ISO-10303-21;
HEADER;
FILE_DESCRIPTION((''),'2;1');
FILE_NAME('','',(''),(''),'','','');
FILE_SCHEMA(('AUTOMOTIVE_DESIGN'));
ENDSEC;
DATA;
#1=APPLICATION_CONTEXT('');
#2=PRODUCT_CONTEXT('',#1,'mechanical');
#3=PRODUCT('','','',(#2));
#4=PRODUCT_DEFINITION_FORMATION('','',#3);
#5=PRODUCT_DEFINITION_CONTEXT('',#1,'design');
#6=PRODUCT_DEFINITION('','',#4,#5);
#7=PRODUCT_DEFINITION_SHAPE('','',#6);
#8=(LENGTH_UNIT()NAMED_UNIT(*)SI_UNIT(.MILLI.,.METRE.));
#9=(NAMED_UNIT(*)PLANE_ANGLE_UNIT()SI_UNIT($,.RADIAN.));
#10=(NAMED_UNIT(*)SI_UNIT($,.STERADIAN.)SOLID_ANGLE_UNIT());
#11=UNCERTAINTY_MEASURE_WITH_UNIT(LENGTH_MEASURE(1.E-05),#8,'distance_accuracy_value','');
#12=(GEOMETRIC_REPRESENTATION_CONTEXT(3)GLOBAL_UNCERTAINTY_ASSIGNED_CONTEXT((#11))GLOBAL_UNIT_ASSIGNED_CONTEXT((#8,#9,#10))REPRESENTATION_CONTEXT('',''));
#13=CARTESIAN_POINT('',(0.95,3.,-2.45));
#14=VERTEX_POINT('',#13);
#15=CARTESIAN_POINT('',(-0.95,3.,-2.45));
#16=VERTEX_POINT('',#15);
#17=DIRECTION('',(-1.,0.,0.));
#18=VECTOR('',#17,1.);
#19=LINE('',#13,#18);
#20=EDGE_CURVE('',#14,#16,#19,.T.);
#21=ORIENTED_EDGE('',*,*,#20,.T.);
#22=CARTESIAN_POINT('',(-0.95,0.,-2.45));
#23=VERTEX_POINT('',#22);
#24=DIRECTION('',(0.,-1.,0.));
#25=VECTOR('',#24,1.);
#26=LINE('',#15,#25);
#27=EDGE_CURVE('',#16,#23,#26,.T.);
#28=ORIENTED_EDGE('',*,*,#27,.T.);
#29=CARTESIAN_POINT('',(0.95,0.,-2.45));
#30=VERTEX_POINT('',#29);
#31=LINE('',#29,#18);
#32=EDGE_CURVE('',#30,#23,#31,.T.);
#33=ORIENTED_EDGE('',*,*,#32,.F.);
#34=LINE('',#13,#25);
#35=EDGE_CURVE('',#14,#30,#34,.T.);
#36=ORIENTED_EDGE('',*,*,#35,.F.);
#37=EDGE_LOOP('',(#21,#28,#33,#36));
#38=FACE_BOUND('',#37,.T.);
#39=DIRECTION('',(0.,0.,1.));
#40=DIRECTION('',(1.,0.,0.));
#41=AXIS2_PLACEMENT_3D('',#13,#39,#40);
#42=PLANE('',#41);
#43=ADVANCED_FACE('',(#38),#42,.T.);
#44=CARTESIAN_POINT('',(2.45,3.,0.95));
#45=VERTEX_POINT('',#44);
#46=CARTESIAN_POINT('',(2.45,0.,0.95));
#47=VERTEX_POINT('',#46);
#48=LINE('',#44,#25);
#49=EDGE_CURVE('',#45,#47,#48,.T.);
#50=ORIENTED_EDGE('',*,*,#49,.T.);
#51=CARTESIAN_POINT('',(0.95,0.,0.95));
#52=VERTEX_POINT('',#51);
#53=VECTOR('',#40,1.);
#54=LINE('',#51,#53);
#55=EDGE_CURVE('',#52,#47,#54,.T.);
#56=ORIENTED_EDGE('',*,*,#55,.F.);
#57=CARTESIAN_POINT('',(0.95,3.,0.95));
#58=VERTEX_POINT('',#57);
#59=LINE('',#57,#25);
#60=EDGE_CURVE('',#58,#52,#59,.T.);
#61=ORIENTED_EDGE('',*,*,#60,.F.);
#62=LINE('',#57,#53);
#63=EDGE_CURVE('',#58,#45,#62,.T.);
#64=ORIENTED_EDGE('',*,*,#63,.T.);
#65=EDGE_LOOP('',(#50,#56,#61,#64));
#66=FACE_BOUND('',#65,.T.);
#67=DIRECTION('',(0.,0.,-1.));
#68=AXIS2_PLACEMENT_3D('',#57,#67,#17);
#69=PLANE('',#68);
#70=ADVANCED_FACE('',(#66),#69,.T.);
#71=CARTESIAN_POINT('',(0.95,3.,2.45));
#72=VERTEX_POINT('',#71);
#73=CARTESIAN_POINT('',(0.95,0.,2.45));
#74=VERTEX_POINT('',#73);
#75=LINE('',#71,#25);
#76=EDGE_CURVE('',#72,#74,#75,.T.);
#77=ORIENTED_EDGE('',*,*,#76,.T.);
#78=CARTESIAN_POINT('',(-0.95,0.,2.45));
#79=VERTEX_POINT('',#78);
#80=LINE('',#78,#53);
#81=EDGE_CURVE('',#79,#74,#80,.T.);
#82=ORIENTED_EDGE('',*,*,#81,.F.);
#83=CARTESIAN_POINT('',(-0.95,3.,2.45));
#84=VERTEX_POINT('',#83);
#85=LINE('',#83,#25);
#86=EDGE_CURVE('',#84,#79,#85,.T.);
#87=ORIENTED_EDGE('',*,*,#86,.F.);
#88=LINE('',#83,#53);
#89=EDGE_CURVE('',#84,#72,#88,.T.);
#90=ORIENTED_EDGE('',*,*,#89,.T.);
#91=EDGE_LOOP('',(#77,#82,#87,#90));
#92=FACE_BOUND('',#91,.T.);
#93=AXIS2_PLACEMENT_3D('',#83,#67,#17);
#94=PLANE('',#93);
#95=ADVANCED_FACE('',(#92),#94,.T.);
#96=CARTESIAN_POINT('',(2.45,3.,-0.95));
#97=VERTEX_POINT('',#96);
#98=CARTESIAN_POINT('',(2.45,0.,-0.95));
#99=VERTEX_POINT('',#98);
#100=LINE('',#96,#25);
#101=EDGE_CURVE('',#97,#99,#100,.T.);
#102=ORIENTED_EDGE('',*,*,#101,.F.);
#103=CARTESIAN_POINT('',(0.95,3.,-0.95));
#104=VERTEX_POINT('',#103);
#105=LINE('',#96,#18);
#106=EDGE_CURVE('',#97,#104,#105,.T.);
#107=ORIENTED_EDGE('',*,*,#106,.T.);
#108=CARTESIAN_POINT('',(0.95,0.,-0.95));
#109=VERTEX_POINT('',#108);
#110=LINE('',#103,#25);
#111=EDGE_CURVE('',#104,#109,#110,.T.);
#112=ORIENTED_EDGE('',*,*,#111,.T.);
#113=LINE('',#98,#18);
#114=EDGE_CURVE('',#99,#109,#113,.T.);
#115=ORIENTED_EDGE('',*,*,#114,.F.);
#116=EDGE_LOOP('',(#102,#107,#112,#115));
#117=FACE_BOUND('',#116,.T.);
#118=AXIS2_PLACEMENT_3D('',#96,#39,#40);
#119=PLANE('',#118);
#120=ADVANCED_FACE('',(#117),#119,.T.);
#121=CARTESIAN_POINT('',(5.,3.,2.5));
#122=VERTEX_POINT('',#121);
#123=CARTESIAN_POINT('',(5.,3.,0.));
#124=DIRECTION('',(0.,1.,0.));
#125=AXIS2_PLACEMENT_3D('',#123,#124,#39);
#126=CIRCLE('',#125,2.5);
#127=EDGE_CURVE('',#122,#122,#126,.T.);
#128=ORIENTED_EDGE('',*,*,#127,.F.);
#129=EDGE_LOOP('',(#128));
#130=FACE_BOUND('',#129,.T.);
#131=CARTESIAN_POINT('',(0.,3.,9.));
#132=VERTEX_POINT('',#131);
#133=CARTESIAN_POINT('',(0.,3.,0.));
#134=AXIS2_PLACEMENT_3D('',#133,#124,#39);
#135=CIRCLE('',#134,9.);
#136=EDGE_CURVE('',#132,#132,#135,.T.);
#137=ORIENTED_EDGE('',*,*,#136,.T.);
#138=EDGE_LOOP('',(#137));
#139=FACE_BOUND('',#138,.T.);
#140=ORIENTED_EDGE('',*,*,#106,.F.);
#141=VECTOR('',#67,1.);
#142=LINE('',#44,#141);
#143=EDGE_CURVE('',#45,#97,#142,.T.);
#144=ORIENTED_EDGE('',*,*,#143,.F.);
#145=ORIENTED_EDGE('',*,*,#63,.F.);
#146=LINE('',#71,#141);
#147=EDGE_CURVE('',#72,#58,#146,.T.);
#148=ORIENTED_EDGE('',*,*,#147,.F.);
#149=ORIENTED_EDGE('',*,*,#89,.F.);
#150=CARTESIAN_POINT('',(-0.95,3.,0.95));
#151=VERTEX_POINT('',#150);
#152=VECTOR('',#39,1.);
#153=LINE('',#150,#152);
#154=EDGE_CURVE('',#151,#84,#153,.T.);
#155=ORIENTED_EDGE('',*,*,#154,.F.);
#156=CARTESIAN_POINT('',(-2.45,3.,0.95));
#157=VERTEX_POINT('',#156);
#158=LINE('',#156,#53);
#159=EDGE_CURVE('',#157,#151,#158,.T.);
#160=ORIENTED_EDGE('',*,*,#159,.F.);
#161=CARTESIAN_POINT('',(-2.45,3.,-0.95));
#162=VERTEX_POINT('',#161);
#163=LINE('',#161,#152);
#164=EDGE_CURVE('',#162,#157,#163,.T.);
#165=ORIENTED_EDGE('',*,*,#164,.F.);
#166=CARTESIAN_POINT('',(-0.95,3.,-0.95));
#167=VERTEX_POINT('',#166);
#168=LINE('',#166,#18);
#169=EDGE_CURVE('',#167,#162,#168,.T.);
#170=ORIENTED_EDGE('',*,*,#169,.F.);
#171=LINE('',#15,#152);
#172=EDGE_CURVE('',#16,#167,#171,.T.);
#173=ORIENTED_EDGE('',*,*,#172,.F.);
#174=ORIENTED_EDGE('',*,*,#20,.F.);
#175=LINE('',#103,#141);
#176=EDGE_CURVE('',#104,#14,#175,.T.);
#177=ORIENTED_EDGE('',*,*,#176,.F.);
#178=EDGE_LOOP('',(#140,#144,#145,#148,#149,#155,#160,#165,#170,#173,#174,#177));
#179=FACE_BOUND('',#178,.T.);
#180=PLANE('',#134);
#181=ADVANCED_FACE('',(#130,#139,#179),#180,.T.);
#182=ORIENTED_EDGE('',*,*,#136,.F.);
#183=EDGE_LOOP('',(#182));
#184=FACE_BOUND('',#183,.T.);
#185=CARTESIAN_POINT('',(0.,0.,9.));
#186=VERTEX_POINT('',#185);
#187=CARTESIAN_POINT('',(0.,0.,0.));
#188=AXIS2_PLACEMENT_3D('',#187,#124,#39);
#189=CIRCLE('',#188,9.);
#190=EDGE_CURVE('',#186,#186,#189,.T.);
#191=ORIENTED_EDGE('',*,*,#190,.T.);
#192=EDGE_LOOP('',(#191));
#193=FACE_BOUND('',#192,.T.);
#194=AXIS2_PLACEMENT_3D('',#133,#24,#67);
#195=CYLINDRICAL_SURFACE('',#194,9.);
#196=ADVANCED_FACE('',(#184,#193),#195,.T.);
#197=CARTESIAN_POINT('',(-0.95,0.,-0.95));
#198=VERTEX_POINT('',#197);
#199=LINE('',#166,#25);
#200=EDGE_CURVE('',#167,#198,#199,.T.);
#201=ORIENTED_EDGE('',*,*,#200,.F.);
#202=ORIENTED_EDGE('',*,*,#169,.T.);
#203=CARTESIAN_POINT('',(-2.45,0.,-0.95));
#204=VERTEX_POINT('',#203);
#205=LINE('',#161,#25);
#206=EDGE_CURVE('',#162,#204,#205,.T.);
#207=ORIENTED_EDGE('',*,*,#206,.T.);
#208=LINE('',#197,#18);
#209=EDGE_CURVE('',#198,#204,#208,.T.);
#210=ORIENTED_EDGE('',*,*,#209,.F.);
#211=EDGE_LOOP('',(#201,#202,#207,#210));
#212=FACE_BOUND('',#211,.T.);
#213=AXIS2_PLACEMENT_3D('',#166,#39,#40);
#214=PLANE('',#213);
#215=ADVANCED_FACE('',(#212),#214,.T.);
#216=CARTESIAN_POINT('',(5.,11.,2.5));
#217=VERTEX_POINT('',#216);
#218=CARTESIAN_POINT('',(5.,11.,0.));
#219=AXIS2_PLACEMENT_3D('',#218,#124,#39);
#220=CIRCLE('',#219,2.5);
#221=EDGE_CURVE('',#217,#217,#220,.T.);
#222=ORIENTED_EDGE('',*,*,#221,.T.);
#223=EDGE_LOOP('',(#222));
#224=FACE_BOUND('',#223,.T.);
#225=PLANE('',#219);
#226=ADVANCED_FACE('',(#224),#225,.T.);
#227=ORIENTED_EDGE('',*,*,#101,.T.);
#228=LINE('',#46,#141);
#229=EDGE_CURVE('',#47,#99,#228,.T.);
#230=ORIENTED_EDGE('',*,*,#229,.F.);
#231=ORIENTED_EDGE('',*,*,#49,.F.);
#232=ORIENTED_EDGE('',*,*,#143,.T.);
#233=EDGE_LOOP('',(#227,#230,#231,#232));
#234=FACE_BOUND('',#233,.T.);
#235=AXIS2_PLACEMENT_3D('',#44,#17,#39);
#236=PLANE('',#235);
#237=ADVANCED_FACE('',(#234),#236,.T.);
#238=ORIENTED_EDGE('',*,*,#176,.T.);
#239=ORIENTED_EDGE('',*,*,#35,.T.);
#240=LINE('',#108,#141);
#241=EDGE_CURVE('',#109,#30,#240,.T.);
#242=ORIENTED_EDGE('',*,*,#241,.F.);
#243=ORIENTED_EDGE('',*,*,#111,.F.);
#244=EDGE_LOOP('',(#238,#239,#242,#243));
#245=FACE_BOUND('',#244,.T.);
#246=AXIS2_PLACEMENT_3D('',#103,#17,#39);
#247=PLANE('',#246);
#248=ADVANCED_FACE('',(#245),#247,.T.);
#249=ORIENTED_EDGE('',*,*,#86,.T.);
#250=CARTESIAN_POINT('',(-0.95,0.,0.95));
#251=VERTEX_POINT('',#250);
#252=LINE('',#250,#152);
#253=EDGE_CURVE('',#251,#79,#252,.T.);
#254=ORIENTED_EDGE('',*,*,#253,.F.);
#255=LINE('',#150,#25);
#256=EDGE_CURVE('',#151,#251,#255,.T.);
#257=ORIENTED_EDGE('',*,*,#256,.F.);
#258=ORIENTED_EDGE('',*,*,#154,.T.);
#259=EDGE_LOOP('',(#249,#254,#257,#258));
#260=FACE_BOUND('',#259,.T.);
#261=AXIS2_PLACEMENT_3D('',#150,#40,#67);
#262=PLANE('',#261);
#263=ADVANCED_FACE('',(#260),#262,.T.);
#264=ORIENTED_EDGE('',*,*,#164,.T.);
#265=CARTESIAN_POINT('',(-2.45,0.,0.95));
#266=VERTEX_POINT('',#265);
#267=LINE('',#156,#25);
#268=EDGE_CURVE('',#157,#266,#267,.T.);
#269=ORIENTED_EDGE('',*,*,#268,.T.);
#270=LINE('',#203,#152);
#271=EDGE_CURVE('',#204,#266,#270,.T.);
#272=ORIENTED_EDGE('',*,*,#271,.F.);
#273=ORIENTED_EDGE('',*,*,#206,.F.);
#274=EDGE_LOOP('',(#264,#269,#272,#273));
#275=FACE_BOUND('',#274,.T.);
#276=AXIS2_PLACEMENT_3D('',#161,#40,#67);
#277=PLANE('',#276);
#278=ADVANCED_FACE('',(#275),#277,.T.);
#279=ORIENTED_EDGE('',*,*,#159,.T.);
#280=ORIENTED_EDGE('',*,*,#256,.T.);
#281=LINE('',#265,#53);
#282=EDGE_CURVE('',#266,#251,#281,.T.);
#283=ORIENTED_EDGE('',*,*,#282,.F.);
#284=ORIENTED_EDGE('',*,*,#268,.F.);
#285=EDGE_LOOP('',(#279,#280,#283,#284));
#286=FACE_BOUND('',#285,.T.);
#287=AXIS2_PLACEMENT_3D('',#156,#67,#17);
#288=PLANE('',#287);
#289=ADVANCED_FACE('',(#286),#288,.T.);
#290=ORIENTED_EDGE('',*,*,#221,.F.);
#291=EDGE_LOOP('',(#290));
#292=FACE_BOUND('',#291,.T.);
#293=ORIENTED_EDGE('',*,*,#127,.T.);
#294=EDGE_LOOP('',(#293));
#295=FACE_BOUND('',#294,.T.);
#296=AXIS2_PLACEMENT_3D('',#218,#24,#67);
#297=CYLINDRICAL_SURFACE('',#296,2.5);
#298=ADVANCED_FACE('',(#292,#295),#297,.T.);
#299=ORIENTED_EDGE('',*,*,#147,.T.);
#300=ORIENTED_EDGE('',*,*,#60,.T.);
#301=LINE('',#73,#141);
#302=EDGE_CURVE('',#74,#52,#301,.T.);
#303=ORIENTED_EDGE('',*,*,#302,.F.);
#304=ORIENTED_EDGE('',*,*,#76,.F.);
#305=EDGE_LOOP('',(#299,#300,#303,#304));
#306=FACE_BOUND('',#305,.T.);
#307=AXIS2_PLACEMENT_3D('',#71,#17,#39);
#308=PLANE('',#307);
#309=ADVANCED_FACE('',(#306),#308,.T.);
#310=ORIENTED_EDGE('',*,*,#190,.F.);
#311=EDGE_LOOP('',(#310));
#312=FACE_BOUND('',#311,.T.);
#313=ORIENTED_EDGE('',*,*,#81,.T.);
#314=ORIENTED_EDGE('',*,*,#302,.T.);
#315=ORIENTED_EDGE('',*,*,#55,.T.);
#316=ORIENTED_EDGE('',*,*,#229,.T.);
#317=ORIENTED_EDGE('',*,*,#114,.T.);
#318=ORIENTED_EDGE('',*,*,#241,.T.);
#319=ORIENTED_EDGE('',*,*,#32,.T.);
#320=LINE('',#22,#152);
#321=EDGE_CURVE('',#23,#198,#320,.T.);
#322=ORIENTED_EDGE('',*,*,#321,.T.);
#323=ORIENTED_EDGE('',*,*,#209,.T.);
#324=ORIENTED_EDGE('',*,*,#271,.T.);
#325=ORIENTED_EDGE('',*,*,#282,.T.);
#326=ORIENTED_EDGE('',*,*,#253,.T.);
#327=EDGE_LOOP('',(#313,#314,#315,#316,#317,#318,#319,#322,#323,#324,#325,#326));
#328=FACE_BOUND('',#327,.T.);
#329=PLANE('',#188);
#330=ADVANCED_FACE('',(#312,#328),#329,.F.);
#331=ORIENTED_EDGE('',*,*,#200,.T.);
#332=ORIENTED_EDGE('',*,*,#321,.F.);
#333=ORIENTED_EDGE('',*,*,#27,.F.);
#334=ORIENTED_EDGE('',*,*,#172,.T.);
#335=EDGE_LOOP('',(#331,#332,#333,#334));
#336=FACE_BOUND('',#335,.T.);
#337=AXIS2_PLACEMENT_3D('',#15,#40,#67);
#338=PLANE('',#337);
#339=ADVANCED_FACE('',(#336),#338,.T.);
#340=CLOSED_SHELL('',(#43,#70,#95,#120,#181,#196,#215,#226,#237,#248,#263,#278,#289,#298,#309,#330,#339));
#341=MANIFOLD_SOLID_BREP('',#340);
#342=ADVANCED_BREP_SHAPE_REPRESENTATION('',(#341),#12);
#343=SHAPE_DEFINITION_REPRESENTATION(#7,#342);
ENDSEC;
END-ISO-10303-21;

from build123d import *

# Parameters (mm, degrees)
SKETCH1_R           = 9
BOSS_EXTRUDE1_DEPTH = 3
SKETCH2_R           = 2.5
BOSS_EXTRUDE2_DEPTH = 8


with BuildPart() as part:
    # Sketch1 → Boss-Extrude1 (new body)
    with BuildSketch(Plane(origin=(0, 0, 0), x_dir=(1, 0, 0), z_dir=(0, 1, 0))):
        Circle(SKETCH1_R)
        Polygon((-2.45, 0.95), (-2.45, -0.95), (-0.95, -0.95), (-0.95, -2.45), (0.95, -2.45), (0.95, -0.95), (2.45, -0.95), (2.45, 0.95), (0.95, 0.95), (0.95, 2.45), (-0.95, 2.45), (-0.95, 0.95), align=None, mode=Mode.SUBTRACT)
    extrude(amount=BOSS_EXTRUDE1_DEPTH)

    # Sketch2 → Boss-Extrude2 (add)
    with BuildSketch(Plane(origin=(0, 3, 0), x_dir=(1, 0, 0), z_dir=(0, 1, 0))):
        with Locations((5, 0)):
            Circle(SKETCH2_R)
    extrude(amount=BOSS_EXTRUDE2_DEPTH)


solid = part.part
